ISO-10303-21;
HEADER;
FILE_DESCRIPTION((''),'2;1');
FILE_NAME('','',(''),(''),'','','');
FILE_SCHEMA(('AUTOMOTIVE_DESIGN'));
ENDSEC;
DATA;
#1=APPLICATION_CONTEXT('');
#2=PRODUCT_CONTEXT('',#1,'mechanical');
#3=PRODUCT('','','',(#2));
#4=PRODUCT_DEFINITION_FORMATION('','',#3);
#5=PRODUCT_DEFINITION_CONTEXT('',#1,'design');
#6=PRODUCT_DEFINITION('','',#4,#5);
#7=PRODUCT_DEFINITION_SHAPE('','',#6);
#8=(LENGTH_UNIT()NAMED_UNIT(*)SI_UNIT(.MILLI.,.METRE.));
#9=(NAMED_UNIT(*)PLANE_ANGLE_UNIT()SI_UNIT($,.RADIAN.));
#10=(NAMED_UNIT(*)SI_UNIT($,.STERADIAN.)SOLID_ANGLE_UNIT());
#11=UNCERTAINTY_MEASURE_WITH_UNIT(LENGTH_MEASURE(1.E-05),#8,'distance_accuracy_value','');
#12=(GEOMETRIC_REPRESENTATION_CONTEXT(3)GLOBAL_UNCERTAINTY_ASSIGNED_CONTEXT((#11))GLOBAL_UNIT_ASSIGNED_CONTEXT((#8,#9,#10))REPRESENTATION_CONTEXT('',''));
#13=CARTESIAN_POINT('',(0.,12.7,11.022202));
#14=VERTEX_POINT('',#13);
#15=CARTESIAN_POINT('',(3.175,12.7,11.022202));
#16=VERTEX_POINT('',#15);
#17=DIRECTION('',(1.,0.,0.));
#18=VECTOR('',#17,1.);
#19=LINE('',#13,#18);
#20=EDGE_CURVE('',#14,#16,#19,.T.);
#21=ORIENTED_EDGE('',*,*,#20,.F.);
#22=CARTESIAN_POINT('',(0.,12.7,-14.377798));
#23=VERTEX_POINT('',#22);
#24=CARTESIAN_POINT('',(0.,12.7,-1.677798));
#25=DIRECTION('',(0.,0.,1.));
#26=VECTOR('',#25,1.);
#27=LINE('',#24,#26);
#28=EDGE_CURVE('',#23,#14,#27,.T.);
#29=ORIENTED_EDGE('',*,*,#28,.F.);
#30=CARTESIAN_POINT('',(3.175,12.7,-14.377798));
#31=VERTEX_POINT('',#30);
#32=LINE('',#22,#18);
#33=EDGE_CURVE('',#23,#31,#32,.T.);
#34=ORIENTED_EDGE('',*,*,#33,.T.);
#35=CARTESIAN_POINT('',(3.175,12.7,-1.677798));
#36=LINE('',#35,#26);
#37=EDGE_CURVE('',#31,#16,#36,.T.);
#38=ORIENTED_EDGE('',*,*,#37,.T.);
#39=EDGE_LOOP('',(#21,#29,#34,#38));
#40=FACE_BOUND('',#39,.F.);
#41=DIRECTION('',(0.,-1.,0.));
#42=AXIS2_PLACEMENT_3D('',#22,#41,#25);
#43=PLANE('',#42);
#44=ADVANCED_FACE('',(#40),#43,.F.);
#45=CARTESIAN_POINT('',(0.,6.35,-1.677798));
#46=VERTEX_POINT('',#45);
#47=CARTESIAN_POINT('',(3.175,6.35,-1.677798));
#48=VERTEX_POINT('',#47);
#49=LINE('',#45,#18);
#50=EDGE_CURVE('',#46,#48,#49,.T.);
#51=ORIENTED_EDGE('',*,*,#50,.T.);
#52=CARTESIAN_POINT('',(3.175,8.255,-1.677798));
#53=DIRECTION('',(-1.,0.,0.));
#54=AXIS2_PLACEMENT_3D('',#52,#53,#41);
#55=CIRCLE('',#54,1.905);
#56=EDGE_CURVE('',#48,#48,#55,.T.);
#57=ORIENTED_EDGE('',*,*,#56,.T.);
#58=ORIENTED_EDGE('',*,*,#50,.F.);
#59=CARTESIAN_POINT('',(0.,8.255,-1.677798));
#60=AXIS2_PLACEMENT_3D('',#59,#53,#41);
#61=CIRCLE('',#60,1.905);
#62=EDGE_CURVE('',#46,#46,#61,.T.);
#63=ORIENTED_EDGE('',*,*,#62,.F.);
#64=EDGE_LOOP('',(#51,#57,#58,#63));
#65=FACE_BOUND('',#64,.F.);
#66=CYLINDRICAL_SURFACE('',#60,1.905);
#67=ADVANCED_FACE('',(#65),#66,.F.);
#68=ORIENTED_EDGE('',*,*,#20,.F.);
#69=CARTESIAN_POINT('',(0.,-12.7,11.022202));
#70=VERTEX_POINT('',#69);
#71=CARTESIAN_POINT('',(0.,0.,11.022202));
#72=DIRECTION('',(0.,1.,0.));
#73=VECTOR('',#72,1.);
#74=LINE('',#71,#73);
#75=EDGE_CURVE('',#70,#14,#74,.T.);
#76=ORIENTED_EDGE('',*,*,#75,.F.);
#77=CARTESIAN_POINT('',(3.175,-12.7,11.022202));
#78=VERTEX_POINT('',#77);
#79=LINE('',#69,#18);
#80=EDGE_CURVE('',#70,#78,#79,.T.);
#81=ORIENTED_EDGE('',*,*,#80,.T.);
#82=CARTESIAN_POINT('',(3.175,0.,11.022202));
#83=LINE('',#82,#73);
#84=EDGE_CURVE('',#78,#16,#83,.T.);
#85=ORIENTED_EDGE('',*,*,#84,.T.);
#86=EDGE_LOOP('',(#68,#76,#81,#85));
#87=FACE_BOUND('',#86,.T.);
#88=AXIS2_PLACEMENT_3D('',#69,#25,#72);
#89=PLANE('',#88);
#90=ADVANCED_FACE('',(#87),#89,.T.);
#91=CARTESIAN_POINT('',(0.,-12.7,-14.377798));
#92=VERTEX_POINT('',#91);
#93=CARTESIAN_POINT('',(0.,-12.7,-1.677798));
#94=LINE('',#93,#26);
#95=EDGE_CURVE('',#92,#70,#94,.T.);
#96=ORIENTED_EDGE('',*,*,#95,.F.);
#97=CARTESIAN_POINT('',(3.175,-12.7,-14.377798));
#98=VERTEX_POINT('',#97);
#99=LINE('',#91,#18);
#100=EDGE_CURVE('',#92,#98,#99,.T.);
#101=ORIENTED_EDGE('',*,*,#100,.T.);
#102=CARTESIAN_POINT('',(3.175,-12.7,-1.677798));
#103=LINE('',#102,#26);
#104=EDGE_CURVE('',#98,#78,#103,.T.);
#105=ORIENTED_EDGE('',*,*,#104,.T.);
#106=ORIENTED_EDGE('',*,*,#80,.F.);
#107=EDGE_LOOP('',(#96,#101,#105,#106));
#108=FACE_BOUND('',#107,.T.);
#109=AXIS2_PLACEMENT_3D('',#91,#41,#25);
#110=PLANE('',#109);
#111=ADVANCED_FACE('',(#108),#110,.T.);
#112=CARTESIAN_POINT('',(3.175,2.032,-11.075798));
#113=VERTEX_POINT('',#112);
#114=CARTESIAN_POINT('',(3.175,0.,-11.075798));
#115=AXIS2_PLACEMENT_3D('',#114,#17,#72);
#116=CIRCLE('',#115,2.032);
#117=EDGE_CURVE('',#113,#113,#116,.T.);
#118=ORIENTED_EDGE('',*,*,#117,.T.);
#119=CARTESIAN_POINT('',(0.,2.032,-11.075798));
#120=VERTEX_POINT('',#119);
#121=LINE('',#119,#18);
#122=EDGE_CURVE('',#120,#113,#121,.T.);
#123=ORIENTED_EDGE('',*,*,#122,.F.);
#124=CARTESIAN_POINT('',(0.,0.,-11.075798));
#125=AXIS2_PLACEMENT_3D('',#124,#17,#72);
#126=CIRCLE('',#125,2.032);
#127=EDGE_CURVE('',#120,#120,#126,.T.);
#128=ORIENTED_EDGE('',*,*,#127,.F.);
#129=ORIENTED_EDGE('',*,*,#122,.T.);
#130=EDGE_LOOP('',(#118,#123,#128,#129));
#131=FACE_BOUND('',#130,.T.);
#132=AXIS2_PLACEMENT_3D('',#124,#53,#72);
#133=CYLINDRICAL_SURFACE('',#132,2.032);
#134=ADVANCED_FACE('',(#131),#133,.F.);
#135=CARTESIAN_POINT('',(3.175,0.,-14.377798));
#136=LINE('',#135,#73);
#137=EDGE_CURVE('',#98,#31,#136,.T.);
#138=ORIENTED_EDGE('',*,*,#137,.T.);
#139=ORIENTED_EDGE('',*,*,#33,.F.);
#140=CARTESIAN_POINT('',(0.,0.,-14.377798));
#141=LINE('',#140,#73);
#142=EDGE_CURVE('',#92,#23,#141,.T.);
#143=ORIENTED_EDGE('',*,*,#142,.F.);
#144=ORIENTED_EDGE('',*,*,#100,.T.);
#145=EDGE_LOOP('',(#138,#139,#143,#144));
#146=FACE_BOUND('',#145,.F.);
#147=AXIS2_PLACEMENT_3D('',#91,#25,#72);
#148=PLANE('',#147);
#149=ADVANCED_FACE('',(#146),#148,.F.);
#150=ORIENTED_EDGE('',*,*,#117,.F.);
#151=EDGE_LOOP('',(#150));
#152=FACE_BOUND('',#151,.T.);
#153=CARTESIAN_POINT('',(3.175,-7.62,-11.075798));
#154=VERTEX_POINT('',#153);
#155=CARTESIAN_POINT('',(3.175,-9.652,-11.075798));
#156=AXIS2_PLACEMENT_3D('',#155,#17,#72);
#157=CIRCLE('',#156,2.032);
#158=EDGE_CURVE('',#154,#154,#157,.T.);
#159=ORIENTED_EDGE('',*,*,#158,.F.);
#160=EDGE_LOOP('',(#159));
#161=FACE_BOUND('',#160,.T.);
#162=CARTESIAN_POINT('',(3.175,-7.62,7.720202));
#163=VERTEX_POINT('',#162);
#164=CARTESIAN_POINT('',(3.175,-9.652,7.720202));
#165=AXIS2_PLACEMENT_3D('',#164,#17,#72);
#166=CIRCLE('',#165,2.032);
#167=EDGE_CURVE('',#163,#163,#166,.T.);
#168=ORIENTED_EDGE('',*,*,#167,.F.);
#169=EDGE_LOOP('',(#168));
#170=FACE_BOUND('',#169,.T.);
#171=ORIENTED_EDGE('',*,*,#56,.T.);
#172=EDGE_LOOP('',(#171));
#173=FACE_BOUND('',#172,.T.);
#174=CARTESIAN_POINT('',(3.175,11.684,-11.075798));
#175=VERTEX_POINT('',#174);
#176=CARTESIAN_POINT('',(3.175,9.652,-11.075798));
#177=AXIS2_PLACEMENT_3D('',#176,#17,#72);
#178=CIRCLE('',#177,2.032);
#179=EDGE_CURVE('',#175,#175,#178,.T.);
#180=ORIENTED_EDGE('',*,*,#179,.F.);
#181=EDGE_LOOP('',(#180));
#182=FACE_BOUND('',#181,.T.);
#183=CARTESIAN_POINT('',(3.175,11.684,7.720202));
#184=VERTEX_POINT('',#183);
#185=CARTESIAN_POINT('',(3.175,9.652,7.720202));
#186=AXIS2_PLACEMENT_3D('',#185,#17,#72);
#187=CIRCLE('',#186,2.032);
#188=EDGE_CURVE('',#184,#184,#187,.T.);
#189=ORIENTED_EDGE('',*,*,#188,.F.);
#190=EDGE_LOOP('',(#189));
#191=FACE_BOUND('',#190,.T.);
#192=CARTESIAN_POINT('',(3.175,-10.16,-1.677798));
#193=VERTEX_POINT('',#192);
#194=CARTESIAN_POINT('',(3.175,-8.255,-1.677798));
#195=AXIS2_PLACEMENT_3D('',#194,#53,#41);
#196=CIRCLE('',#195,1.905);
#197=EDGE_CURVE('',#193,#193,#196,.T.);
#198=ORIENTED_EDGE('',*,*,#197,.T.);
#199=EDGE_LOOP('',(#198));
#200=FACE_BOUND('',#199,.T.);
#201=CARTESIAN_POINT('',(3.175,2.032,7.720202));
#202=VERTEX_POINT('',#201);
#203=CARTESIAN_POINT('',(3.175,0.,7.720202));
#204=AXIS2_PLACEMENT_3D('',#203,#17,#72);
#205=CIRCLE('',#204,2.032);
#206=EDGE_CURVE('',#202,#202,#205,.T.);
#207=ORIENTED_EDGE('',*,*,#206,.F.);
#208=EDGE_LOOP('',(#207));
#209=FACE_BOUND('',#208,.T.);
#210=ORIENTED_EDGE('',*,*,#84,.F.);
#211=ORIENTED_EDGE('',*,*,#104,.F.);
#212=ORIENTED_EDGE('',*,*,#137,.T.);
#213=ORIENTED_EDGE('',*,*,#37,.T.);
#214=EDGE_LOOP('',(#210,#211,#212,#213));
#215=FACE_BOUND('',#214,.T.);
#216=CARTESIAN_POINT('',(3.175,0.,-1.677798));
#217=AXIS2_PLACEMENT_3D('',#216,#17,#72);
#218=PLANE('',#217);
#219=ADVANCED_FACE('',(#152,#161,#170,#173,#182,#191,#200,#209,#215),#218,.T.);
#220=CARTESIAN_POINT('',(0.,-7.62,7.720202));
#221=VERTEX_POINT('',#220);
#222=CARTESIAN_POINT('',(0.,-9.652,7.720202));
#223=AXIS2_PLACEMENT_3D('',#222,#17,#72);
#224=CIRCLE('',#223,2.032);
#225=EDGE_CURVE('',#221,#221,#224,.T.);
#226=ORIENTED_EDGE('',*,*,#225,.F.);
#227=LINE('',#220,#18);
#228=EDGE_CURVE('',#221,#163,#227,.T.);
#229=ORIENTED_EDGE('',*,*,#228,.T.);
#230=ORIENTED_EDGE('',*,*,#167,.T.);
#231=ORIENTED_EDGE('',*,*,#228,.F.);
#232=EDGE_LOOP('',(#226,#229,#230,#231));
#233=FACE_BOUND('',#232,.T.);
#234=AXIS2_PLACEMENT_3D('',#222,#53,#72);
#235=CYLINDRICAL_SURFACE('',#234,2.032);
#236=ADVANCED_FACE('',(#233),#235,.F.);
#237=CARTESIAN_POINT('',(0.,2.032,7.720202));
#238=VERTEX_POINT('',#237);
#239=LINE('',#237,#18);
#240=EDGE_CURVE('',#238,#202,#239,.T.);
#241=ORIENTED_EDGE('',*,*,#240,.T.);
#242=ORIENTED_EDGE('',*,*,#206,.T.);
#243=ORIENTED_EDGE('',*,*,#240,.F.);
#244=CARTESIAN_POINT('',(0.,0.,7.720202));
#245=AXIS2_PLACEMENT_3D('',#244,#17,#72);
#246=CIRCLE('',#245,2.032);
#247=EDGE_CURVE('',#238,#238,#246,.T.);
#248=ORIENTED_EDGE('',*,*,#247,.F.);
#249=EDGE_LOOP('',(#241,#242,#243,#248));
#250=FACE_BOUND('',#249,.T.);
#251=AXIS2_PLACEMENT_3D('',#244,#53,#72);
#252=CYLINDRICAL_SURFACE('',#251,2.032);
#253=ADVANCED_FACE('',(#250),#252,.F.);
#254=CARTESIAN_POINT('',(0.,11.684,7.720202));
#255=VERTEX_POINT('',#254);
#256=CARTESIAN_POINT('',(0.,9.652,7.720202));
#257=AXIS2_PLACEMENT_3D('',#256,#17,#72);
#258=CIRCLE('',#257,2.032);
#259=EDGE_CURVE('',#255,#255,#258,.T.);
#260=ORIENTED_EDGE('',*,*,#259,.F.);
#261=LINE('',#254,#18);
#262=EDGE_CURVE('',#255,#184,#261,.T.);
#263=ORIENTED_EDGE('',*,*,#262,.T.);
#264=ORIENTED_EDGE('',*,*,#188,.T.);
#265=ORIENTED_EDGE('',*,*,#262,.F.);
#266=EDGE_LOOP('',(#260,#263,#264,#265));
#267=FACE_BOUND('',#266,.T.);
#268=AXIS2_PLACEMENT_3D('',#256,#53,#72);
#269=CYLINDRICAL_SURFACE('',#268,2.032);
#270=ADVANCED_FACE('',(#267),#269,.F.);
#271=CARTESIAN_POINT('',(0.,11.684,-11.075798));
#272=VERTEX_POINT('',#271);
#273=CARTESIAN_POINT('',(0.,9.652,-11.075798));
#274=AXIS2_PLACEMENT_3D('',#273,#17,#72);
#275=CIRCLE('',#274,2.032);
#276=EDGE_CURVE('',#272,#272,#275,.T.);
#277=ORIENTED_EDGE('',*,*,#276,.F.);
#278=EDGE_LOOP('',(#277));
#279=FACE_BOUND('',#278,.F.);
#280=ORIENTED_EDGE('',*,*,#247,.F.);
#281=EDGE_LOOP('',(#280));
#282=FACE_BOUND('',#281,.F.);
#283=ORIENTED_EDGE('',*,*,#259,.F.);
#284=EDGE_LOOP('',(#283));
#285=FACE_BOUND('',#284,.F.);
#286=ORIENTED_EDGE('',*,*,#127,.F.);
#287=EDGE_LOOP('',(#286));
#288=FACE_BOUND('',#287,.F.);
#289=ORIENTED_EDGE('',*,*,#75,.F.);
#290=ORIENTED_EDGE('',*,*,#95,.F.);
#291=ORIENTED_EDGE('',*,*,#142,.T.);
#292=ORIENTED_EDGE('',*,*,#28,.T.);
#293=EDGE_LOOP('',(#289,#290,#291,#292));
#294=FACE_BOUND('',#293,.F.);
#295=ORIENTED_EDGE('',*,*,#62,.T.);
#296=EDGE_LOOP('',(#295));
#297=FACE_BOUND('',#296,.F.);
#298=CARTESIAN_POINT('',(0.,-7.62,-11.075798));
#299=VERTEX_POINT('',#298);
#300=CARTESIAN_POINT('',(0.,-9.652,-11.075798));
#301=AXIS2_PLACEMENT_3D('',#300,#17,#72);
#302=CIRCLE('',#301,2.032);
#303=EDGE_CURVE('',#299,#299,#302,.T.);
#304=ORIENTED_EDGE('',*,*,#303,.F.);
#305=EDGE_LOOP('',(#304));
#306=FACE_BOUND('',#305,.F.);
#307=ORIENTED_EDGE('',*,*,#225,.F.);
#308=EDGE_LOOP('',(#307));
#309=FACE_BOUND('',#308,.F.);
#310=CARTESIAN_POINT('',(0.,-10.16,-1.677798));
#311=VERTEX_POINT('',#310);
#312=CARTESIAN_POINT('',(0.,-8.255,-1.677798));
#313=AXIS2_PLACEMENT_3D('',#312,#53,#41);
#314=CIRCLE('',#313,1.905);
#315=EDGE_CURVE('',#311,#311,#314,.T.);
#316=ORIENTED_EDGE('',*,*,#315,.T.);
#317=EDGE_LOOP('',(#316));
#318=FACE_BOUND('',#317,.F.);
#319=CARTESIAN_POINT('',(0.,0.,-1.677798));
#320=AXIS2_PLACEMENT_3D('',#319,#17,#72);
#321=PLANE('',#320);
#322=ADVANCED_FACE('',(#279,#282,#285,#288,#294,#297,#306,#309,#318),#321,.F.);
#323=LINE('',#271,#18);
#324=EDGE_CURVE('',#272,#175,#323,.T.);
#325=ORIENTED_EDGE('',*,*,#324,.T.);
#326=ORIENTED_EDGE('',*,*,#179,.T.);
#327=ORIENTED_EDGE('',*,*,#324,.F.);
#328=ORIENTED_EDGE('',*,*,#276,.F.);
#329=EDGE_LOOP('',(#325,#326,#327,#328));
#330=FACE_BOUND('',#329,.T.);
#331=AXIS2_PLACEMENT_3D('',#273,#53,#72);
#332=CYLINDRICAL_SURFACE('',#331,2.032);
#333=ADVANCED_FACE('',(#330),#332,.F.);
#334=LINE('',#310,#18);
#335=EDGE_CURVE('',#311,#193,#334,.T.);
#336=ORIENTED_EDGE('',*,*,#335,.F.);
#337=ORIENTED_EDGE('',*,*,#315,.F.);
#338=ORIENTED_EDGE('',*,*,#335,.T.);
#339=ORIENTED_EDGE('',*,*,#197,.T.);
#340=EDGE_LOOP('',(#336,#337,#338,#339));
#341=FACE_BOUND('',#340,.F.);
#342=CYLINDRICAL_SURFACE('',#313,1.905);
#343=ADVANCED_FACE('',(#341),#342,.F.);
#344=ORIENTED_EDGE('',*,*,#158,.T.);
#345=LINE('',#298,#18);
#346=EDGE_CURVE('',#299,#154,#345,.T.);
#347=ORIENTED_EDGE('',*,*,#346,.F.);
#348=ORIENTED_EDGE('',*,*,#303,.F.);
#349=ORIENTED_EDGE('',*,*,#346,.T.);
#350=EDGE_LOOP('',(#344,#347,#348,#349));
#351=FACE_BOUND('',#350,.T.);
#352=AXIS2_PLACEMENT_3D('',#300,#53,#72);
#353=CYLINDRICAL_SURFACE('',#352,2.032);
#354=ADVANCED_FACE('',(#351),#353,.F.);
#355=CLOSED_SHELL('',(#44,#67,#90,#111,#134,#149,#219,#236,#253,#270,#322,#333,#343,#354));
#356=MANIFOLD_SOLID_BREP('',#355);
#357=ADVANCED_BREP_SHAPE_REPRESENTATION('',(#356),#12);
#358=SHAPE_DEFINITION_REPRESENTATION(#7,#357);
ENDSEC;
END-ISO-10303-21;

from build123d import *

# Parameters (mm, degrees)
F0_W     = 25.4
F0_H     = 25.4
F0_R     = 2.032
F1_DEPTH = 3.175
F2_R     = 1.905
F3_DEPTH = 25.4


with BuildPart() as f1:
    # F0 (on Right) → F1 (new body)
    with BuildSketch(Plane.YZ):
        with Locations((0, -1.677798)):
            Rectangle(F0_W, F0_H)
        with Locations((-9.652, -11.075798)):
            Circle(F0_R, mode=Mode.SUBTRACT)
        with Locations((0, -11.075798)):
            Circle(F0_R, mode=Mode.SUBTRACT)
        with Locations((9.652, -11.075798)):
            Circle(F0_R, mode=Mode.SUBTRACT)
        with Locations((-9.652, 7.720202)):
            Circle(F0_R, mode=Mode.SUBTRACT)
        with Locations((0, 7.720202)):
            Circle(F0_R, mode=Mode.SUBTRACT)
        with Locations((9.652, 7.720202)):
            Circle(F0_R, mode=Mode.SUBTRACT)
    extrude(amount=F1_DEPTH)

    # F2 (on face) → F3 (cut)
    with BuildSketch(Plane(origin=(0, 0, 0), x_dir=(0, -1, 0), z_dir=(-1, 0, 0))):
        with Locations((8.255, -1.677798)):
            Circle(F2_R)
        with Locations((-8.255, -1.677798)):
            Circle(F2_R)
    extrude(amount=-F3_DEPTH, mode=Mode.SUBTRACT)


solid = f1.part
